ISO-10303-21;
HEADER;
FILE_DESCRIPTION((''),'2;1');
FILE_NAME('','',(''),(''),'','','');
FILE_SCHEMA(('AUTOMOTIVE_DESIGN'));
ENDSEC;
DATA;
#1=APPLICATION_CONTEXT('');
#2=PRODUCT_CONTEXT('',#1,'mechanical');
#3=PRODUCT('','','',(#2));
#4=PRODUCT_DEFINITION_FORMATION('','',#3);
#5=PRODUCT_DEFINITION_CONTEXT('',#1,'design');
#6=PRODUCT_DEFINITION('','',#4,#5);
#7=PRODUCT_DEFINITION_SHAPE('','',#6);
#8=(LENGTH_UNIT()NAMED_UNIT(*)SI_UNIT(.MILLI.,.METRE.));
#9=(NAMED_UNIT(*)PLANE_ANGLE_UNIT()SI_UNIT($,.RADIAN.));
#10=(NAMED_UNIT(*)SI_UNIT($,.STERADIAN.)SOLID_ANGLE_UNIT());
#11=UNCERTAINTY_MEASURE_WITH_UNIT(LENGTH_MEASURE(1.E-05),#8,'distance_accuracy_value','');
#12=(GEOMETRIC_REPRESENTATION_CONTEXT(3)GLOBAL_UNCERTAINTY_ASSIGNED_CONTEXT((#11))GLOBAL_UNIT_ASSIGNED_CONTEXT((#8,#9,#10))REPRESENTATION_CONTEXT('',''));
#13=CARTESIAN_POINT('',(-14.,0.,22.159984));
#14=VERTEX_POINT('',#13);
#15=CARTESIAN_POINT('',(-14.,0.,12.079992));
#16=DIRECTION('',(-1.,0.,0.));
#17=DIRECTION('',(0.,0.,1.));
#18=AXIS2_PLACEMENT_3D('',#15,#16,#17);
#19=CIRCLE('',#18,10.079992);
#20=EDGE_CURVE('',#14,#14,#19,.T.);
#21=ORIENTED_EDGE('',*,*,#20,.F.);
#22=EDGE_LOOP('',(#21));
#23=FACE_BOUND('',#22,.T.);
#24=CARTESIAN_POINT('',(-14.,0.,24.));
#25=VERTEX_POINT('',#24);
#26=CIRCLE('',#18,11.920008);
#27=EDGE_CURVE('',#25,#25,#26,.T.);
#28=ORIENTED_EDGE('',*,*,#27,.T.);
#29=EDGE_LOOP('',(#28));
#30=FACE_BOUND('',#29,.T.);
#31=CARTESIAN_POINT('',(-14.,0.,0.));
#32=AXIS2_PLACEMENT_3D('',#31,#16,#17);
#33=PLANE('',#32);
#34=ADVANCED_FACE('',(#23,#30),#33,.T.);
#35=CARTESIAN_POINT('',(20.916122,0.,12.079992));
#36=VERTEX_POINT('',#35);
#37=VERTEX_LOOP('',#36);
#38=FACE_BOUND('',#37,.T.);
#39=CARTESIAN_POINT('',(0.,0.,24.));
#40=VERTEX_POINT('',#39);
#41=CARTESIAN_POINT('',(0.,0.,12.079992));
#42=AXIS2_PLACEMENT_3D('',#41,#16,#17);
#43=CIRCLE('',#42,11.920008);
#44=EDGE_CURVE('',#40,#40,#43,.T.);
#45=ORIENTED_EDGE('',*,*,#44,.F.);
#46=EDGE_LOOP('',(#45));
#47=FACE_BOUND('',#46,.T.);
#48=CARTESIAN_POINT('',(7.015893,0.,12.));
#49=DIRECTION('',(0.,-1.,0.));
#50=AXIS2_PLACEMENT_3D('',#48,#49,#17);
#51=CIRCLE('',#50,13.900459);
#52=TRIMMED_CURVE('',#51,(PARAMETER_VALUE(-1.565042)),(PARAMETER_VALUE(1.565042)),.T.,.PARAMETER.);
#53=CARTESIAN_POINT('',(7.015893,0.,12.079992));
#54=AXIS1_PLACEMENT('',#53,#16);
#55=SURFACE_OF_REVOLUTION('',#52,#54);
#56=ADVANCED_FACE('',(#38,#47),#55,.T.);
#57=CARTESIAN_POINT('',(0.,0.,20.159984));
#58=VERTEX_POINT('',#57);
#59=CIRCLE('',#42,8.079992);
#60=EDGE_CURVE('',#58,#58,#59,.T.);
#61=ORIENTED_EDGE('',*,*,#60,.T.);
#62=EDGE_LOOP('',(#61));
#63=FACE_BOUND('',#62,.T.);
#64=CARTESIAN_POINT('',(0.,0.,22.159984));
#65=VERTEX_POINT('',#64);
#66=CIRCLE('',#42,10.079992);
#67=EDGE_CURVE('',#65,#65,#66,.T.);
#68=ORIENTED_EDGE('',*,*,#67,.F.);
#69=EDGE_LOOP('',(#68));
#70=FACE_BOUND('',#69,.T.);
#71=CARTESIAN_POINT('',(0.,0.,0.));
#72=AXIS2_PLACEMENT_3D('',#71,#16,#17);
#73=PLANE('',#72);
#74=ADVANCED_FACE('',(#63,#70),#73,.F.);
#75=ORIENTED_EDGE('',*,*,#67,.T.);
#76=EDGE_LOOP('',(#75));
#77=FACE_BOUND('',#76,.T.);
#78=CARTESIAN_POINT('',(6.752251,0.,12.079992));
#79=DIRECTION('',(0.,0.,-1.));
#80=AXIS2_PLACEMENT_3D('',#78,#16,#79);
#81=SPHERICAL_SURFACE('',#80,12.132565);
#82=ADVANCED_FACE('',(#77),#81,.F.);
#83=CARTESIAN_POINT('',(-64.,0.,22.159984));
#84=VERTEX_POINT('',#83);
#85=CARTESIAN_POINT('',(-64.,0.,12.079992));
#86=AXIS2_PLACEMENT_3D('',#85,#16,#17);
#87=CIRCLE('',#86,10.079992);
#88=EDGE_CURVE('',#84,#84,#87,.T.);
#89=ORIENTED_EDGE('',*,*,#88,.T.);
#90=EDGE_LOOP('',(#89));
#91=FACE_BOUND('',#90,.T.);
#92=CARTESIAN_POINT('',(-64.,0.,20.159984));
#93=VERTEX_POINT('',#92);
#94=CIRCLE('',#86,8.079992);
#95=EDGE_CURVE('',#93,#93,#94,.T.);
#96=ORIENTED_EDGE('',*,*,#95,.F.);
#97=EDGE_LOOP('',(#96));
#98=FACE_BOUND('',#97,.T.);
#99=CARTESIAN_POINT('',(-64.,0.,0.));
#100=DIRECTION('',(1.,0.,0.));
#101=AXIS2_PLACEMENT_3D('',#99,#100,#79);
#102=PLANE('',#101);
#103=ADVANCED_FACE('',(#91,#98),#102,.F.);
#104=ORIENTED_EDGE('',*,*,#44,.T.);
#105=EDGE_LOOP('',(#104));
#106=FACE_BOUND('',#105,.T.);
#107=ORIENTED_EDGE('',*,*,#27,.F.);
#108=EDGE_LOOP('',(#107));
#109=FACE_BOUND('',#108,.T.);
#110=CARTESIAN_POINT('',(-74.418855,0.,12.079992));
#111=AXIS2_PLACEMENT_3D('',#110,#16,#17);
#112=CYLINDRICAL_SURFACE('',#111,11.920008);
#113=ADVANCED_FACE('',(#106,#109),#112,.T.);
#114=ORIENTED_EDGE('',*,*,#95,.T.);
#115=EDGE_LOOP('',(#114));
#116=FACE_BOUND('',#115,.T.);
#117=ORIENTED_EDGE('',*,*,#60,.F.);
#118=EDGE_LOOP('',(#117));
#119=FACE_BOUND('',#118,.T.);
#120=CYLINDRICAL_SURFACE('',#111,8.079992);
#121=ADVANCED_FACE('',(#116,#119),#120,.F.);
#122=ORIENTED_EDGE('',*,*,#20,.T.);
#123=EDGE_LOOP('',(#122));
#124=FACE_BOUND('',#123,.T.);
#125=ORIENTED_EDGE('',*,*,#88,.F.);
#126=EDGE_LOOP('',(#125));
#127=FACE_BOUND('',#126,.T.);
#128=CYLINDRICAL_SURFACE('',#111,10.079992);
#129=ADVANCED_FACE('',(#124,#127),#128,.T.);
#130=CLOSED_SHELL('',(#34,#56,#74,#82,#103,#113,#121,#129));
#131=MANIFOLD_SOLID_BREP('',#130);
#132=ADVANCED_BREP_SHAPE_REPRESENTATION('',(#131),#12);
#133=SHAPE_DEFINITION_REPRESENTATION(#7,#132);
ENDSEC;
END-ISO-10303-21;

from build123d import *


with BuildPart() as part:
    # Sketch1 → Revolve3 (revolve)
    with BuildSketch(Plane(origin=(0, 0, 0), x_dir=(1, 0, 0), z_dir=(0, 1, 0))):
        Polygon((-64, -22.159983722), (-64, -20.159983722), (-14, -20.159983722), (0, -20.159983722), (0, -22.159983722), (-14, -22.159983722), align=None)
        with BuildLine():
            Line((20.916121764, -12.079991861), (18.884815844, -12.079991861))
            ThreePointArc((18.884815844, -12.079991861), (12.465262752, -22.783291649), (0, -22.159983722))
            Line((0, -22.159983722), (-14, -22.159983722))
            Line((-14, -22.159983722), (-14, -24))
            Line((-14, -24), (0, -24))
            ThreePointArc((0, -24), (13.89849199, -24.076944491), (20.916121764, -12.079991861))
        make_face()
    revolve(axis=Axis((-74.418855498, 0, 12.079991861), (1, 0, 0)))


solid = part.part
